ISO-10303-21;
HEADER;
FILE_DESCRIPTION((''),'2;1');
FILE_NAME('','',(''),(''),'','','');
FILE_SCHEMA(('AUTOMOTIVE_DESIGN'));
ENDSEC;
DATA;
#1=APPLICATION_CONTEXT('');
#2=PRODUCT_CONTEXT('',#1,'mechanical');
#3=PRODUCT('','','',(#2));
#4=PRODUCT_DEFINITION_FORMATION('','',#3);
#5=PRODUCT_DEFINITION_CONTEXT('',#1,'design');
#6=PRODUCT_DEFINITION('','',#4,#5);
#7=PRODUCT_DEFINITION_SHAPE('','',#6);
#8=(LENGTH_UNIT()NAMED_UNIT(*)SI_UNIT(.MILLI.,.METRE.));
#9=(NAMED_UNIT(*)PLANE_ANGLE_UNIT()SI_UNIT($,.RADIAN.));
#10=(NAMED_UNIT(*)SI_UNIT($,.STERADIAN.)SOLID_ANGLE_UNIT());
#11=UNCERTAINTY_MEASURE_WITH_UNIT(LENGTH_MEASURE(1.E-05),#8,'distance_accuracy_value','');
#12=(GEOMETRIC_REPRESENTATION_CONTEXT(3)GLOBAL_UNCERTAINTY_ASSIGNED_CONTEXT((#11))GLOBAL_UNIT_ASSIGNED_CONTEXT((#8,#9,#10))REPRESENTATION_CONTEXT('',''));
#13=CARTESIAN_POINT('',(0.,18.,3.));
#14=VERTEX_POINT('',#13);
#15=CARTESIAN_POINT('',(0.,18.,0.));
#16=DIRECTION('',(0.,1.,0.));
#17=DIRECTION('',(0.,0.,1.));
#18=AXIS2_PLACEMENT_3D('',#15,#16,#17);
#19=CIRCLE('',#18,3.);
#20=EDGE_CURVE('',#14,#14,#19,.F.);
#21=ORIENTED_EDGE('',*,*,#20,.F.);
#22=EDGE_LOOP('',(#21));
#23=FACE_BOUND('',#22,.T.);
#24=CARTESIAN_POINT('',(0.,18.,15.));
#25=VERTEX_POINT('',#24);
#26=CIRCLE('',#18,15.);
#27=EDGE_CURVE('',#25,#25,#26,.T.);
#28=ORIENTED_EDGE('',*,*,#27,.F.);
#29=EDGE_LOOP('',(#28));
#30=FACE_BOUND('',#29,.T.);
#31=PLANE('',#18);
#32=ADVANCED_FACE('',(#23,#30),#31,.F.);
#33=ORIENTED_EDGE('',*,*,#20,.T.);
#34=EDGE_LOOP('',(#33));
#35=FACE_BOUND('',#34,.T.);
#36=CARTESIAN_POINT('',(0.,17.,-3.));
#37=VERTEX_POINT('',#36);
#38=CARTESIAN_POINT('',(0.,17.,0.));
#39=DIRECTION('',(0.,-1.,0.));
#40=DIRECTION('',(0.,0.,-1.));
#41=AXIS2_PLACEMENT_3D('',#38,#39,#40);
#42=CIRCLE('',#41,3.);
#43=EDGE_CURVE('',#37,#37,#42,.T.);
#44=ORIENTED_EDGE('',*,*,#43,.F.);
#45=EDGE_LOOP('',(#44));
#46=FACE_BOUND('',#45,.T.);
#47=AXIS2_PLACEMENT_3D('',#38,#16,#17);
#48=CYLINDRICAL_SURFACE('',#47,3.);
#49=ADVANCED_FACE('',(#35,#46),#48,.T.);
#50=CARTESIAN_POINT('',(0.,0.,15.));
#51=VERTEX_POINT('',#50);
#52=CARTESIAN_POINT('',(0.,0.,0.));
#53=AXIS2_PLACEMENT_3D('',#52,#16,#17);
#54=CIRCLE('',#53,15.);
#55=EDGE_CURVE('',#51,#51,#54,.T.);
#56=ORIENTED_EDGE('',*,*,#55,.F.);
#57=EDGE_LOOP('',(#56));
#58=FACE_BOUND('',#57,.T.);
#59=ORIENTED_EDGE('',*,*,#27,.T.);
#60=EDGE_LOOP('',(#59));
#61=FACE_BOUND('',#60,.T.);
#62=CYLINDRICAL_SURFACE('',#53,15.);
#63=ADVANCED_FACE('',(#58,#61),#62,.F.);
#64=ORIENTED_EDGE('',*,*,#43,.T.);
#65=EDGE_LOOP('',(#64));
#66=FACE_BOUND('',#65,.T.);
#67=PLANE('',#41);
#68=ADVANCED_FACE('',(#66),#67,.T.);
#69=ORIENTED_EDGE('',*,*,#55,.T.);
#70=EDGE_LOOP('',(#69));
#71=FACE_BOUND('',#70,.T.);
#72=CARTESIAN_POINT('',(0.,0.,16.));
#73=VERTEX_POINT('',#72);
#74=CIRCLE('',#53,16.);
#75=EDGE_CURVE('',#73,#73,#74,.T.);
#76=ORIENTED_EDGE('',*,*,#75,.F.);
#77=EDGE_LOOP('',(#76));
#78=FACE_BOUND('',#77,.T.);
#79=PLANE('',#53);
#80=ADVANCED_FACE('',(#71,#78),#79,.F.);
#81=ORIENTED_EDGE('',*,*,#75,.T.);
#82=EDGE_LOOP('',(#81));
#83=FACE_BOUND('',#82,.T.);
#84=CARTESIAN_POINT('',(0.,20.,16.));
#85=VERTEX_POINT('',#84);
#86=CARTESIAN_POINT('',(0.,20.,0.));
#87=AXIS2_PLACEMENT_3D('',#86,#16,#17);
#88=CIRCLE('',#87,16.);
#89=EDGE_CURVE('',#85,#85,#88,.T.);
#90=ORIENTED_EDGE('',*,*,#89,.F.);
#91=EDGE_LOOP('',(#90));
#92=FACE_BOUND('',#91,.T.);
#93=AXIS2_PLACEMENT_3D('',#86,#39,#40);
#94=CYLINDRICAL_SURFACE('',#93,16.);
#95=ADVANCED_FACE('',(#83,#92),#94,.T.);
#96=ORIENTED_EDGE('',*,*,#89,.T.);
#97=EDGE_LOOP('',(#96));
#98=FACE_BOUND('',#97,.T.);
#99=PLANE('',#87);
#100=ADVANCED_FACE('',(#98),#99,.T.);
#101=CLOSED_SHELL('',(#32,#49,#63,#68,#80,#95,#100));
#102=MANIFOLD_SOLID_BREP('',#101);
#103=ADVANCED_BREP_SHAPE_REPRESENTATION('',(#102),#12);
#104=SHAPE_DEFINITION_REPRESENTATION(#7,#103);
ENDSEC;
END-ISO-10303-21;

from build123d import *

# Parameters (mm, degrees)
SKETCH2_R           = 16
BOSS_EXTRUDE1_DEPTH = 20
CUT_EXTRUDE1_START  = -2
SKETCH3_R           = 15
CUT_EXTRUDE1_DEPTH  = 29.199337741
SKETCH4_R           = 3
BOSS_EXTRUDE2_DEPTH = 1


with BuildPart() as part:
    # Sketch2 → Boss-Extrude1 (new body)
    with BuildSketch(Plane(origin=(0, 0, 0), x_dir=(1, 0, 0), z_dir=(0, 1, 0))):
        with Locations(Location((0, 0, 0), (0, 0, 270))):
            Circle(SKETCH2_R)
    extrude(amount=BOSS_EXTRUDE1_DEPTH)

    # Sketch3 → Cut-Extrude1 (cut, through all)
    with BuildSketch(Plane(origin=(0, 20, 0), x_dir=(1, 0, 0), z_dir=(0, 1, 0)).offset(CUT_EXTRUDE1_START)):
        with Locations(Location((0, 0, 0), (0, 0, 270))):
            Circle(SKETCH3_R)
    extrude(amount=-CUT_EXTRUDE1_DEPTH, mode=Mode.SUBTRACT)

    # Sketch4 → Boss-Extrude2 (add)
    with BuildSketch(Plane(origin=(0, 18, 0), x_dir=(-1, 0, 0), z_dir=(0, -1, 0))):
        with Locations(Location((0, 0, 0), (0, 0, 270))):
            Circle(SKETCH4_R)
    extrude(amount=BOSS_EXTRUDE2_DEPTH)


solid = part.part
